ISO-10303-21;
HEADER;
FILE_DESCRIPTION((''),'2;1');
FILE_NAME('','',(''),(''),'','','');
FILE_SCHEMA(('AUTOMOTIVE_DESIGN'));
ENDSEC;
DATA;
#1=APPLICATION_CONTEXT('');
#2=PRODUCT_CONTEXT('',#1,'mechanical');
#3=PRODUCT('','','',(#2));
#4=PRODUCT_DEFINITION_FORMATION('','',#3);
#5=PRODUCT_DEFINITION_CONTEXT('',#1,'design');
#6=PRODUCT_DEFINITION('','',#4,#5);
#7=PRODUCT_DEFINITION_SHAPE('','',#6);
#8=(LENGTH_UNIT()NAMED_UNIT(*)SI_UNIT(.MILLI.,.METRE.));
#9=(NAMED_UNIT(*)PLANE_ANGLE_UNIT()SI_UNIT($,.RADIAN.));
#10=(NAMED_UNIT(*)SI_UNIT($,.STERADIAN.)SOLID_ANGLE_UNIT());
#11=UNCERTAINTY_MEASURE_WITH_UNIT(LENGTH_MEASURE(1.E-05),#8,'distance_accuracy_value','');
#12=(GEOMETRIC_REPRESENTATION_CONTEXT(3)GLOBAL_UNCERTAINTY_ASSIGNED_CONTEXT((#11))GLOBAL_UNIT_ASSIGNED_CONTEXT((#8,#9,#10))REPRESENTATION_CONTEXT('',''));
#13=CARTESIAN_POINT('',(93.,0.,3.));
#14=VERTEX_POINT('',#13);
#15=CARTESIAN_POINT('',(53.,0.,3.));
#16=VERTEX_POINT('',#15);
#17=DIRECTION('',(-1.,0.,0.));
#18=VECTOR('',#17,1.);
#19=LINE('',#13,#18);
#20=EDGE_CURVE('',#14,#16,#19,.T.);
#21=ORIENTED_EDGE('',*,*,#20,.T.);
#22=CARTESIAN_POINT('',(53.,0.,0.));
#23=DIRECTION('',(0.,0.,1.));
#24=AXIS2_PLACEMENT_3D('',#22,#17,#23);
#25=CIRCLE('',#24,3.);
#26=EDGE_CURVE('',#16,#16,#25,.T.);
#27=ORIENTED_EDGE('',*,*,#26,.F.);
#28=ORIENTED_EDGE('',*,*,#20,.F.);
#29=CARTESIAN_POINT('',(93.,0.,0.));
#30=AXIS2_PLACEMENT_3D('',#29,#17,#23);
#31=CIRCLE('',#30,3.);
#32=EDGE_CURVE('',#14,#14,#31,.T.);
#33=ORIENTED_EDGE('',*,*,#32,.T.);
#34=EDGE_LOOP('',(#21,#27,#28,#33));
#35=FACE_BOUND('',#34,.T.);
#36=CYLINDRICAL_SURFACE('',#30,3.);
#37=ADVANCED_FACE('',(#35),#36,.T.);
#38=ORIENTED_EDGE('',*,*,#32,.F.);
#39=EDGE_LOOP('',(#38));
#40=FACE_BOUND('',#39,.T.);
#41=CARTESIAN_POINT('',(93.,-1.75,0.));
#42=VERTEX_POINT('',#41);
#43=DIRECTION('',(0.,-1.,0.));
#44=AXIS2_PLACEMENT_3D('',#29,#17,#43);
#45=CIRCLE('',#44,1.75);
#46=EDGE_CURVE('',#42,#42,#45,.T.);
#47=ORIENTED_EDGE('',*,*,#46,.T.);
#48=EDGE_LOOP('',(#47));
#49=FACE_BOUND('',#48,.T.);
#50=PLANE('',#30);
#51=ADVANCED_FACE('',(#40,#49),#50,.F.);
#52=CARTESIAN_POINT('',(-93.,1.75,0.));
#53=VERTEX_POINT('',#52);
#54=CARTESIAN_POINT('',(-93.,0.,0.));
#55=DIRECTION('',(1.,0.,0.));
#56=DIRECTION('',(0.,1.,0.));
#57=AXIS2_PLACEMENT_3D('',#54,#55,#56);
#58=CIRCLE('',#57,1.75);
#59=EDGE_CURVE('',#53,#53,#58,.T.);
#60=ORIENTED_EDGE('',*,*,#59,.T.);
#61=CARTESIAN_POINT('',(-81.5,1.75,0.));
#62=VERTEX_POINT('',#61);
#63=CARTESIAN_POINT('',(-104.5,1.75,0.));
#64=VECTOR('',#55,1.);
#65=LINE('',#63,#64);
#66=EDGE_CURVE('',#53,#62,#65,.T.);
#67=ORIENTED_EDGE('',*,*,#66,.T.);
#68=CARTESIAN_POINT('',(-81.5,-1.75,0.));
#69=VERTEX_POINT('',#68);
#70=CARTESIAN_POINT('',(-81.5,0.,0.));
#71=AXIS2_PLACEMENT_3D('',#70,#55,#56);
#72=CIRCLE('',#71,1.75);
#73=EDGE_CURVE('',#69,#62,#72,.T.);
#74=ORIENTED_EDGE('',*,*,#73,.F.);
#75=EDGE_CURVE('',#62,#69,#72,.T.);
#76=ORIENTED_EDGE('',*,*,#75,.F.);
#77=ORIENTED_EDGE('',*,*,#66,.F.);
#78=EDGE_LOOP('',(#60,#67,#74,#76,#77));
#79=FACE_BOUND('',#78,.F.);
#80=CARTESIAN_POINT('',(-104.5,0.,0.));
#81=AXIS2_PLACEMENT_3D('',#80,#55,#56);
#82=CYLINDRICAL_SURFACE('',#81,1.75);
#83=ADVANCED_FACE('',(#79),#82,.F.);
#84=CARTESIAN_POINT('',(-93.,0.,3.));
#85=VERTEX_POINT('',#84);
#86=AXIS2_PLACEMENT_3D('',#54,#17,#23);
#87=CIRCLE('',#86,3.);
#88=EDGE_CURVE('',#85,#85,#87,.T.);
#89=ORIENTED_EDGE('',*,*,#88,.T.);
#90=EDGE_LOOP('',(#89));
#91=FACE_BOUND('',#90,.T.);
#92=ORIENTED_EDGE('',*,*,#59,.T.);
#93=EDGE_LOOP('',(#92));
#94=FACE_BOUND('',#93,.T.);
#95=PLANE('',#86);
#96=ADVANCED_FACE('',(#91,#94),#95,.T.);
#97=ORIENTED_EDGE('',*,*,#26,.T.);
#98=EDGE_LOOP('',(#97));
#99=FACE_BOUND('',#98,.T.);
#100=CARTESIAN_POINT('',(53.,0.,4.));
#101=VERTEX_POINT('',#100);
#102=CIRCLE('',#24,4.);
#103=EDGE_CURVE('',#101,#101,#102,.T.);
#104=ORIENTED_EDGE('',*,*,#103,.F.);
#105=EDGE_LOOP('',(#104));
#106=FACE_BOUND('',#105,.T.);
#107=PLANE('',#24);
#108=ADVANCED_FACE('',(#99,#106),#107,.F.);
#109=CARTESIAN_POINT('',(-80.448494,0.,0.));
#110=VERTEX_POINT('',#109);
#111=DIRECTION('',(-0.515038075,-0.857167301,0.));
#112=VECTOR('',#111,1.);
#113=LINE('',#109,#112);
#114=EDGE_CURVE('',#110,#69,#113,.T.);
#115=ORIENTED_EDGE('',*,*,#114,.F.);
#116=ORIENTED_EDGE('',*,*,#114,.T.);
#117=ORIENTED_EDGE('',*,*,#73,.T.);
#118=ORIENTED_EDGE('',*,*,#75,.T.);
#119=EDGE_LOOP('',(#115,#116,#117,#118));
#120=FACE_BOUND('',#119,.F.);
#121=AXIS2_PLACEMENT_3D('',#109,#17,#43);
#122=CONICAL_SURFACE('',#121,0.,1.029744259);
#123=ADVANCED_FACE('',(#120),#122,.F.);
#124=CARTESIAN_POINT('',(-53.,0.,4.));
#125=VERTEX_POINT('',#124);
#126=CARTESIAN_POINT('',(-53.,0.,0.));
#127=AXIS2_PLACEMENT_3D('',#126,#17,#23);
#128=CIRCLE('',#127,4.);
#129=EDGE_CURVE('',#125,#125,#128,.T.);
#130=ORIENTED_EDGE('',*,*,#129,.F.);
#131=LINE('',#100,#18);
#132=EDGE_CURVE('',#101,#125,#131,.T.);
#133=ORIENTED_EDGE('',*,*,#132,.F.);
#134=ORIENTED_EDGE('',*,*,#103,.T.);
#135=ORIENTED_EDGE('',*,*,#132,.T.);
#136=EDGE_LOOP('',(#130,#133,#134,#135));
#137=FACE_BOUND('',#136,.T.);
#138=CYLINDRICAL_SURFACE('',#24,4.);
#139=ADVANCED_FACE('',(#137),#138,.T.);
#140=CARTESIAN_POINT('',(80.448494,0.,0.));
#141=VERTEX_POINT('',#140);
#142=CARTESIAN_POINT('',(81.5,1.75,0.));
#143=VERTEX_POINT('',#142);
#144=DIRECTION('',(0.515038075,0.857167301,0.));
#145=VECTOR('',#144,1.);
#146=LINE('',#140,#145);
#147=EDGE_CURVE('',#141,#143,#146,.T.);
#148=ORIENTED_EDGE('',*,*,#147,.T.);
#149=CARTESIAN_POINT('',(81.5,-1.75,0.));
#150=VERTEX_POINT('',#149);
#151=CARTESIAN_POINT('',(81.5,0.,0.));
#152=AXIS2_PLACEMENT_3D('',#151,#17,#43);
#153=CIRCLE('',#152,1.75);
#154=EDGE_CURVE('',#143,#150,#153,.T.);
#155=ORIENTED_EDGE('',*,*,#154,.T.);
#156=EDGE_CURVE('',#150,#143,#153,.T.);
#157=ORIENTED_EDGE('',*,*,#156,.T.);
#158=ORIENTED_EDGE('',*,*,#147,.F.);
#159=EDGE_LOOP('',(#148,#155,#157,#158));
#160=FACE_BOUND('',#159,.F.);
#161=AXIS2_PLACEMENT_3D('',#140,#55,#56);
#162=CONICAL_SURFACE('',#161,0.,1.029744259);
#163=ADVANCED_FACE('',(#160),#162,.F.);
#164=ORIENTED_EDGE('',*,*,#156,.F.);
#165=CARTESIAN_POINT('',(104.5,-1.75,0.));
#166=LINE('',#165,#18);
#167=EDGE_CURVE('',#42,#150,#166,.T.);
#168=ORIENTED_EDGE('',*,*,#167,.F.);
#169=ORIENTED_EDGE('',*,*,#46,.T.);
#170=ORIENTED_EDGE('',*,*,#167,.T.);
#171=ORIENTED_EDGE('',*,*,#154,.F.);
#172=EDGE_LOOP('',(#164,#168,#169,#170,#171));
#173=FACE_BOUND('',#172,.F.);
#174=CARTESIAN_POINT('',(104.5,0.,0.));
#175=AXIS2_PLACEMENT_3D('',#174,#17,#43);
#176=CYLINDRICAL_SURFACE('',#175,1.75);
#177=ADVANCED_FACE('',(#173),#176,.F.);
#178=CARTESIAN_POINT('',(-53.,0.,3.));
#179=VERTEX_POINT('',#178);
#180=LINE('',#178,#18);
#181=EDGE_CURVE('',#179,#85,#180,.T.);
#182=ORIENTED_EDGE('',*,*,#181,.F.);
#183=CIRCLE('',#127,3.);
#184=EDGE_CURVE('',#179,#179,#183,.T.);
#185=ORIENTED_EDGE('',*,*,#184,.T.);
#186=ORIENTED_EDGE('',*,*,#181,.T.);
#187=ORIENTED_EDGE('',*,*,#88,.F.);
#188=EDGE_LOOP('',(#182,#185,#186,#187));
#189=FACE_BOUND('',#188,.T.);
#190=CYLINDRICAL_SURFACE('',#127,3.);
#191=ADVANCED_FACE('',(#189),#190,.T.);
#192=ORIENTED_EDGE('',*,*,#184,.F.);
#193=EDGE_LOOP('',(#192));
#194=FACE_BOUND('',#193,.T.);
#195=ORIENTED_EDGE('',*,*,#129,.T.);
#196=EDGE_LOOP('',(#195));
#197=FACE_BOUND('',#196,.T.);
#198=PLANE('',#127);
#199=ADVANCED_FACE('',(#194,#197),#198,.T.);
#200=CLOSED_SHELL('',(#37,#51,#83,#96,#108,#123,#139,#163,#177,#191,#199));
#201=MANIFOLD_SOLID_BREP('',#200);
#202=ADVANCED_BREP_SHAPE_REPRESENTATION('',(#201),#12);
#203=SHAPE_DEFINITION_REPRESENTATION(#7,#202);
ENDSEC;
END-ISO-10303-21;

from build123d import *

# Parameters (mm, degrees)
F4_D           = 3.5
F4_DEPTH       = 11.5
F4_TIP         = 1.0515060833
F4_ON_F2_D     = 3.5
F4_ON_F2_DEPTH = 11.5
F4_ON_F2_TIP   = 1.0515060833


with BuildPart() as f1:
    # F0 (on Front) → F1 (revolve)
    with BuildSketch(Plane.XZ):
        Polygon((53, 4), (43, 4), (-43, 4), (-53, 4), (-53, 3), (-93, 3), (-93, 0), (93, 0), (93, 3), (53, 3), align=None)
    revolve(axis=Axis((0, 0, 0), (-1, 0, 0)))

    # F4
    with Locations(Plane.YZ.offset(93)):
        with Locations((0, 0)):
            Hole(F4_D / 2, depth=F4_DEPTH)
            with Locations((0, 0, -(F4_DEPTH + F4_TIP / 2))):  # 118° drill point
                Cone(0, F4_D / 2, F4_TIP, mode=Mode.SUBTRACT)

    # F4 on F2
    with Locations(Plane(origin=(-93, 0, 0), x_dir=(0, -1, 0), z_dir=(-1, 0, 0))):
        with Locations((0, 0)):
            Hole(F4_ON_F2_D / 2, depth=F4_ON_F2_DEPTH)
            with Locations((0, 0, -(F4_ON_F2_DEPTH + F4_ON_F2_TIP / 2))):  # 118° drill point
                Cone(0, F4_ON_F2_D / 2, F4_ON_F2_TIP, mode=Mode.SUBTRACT)


solid = f1.part
